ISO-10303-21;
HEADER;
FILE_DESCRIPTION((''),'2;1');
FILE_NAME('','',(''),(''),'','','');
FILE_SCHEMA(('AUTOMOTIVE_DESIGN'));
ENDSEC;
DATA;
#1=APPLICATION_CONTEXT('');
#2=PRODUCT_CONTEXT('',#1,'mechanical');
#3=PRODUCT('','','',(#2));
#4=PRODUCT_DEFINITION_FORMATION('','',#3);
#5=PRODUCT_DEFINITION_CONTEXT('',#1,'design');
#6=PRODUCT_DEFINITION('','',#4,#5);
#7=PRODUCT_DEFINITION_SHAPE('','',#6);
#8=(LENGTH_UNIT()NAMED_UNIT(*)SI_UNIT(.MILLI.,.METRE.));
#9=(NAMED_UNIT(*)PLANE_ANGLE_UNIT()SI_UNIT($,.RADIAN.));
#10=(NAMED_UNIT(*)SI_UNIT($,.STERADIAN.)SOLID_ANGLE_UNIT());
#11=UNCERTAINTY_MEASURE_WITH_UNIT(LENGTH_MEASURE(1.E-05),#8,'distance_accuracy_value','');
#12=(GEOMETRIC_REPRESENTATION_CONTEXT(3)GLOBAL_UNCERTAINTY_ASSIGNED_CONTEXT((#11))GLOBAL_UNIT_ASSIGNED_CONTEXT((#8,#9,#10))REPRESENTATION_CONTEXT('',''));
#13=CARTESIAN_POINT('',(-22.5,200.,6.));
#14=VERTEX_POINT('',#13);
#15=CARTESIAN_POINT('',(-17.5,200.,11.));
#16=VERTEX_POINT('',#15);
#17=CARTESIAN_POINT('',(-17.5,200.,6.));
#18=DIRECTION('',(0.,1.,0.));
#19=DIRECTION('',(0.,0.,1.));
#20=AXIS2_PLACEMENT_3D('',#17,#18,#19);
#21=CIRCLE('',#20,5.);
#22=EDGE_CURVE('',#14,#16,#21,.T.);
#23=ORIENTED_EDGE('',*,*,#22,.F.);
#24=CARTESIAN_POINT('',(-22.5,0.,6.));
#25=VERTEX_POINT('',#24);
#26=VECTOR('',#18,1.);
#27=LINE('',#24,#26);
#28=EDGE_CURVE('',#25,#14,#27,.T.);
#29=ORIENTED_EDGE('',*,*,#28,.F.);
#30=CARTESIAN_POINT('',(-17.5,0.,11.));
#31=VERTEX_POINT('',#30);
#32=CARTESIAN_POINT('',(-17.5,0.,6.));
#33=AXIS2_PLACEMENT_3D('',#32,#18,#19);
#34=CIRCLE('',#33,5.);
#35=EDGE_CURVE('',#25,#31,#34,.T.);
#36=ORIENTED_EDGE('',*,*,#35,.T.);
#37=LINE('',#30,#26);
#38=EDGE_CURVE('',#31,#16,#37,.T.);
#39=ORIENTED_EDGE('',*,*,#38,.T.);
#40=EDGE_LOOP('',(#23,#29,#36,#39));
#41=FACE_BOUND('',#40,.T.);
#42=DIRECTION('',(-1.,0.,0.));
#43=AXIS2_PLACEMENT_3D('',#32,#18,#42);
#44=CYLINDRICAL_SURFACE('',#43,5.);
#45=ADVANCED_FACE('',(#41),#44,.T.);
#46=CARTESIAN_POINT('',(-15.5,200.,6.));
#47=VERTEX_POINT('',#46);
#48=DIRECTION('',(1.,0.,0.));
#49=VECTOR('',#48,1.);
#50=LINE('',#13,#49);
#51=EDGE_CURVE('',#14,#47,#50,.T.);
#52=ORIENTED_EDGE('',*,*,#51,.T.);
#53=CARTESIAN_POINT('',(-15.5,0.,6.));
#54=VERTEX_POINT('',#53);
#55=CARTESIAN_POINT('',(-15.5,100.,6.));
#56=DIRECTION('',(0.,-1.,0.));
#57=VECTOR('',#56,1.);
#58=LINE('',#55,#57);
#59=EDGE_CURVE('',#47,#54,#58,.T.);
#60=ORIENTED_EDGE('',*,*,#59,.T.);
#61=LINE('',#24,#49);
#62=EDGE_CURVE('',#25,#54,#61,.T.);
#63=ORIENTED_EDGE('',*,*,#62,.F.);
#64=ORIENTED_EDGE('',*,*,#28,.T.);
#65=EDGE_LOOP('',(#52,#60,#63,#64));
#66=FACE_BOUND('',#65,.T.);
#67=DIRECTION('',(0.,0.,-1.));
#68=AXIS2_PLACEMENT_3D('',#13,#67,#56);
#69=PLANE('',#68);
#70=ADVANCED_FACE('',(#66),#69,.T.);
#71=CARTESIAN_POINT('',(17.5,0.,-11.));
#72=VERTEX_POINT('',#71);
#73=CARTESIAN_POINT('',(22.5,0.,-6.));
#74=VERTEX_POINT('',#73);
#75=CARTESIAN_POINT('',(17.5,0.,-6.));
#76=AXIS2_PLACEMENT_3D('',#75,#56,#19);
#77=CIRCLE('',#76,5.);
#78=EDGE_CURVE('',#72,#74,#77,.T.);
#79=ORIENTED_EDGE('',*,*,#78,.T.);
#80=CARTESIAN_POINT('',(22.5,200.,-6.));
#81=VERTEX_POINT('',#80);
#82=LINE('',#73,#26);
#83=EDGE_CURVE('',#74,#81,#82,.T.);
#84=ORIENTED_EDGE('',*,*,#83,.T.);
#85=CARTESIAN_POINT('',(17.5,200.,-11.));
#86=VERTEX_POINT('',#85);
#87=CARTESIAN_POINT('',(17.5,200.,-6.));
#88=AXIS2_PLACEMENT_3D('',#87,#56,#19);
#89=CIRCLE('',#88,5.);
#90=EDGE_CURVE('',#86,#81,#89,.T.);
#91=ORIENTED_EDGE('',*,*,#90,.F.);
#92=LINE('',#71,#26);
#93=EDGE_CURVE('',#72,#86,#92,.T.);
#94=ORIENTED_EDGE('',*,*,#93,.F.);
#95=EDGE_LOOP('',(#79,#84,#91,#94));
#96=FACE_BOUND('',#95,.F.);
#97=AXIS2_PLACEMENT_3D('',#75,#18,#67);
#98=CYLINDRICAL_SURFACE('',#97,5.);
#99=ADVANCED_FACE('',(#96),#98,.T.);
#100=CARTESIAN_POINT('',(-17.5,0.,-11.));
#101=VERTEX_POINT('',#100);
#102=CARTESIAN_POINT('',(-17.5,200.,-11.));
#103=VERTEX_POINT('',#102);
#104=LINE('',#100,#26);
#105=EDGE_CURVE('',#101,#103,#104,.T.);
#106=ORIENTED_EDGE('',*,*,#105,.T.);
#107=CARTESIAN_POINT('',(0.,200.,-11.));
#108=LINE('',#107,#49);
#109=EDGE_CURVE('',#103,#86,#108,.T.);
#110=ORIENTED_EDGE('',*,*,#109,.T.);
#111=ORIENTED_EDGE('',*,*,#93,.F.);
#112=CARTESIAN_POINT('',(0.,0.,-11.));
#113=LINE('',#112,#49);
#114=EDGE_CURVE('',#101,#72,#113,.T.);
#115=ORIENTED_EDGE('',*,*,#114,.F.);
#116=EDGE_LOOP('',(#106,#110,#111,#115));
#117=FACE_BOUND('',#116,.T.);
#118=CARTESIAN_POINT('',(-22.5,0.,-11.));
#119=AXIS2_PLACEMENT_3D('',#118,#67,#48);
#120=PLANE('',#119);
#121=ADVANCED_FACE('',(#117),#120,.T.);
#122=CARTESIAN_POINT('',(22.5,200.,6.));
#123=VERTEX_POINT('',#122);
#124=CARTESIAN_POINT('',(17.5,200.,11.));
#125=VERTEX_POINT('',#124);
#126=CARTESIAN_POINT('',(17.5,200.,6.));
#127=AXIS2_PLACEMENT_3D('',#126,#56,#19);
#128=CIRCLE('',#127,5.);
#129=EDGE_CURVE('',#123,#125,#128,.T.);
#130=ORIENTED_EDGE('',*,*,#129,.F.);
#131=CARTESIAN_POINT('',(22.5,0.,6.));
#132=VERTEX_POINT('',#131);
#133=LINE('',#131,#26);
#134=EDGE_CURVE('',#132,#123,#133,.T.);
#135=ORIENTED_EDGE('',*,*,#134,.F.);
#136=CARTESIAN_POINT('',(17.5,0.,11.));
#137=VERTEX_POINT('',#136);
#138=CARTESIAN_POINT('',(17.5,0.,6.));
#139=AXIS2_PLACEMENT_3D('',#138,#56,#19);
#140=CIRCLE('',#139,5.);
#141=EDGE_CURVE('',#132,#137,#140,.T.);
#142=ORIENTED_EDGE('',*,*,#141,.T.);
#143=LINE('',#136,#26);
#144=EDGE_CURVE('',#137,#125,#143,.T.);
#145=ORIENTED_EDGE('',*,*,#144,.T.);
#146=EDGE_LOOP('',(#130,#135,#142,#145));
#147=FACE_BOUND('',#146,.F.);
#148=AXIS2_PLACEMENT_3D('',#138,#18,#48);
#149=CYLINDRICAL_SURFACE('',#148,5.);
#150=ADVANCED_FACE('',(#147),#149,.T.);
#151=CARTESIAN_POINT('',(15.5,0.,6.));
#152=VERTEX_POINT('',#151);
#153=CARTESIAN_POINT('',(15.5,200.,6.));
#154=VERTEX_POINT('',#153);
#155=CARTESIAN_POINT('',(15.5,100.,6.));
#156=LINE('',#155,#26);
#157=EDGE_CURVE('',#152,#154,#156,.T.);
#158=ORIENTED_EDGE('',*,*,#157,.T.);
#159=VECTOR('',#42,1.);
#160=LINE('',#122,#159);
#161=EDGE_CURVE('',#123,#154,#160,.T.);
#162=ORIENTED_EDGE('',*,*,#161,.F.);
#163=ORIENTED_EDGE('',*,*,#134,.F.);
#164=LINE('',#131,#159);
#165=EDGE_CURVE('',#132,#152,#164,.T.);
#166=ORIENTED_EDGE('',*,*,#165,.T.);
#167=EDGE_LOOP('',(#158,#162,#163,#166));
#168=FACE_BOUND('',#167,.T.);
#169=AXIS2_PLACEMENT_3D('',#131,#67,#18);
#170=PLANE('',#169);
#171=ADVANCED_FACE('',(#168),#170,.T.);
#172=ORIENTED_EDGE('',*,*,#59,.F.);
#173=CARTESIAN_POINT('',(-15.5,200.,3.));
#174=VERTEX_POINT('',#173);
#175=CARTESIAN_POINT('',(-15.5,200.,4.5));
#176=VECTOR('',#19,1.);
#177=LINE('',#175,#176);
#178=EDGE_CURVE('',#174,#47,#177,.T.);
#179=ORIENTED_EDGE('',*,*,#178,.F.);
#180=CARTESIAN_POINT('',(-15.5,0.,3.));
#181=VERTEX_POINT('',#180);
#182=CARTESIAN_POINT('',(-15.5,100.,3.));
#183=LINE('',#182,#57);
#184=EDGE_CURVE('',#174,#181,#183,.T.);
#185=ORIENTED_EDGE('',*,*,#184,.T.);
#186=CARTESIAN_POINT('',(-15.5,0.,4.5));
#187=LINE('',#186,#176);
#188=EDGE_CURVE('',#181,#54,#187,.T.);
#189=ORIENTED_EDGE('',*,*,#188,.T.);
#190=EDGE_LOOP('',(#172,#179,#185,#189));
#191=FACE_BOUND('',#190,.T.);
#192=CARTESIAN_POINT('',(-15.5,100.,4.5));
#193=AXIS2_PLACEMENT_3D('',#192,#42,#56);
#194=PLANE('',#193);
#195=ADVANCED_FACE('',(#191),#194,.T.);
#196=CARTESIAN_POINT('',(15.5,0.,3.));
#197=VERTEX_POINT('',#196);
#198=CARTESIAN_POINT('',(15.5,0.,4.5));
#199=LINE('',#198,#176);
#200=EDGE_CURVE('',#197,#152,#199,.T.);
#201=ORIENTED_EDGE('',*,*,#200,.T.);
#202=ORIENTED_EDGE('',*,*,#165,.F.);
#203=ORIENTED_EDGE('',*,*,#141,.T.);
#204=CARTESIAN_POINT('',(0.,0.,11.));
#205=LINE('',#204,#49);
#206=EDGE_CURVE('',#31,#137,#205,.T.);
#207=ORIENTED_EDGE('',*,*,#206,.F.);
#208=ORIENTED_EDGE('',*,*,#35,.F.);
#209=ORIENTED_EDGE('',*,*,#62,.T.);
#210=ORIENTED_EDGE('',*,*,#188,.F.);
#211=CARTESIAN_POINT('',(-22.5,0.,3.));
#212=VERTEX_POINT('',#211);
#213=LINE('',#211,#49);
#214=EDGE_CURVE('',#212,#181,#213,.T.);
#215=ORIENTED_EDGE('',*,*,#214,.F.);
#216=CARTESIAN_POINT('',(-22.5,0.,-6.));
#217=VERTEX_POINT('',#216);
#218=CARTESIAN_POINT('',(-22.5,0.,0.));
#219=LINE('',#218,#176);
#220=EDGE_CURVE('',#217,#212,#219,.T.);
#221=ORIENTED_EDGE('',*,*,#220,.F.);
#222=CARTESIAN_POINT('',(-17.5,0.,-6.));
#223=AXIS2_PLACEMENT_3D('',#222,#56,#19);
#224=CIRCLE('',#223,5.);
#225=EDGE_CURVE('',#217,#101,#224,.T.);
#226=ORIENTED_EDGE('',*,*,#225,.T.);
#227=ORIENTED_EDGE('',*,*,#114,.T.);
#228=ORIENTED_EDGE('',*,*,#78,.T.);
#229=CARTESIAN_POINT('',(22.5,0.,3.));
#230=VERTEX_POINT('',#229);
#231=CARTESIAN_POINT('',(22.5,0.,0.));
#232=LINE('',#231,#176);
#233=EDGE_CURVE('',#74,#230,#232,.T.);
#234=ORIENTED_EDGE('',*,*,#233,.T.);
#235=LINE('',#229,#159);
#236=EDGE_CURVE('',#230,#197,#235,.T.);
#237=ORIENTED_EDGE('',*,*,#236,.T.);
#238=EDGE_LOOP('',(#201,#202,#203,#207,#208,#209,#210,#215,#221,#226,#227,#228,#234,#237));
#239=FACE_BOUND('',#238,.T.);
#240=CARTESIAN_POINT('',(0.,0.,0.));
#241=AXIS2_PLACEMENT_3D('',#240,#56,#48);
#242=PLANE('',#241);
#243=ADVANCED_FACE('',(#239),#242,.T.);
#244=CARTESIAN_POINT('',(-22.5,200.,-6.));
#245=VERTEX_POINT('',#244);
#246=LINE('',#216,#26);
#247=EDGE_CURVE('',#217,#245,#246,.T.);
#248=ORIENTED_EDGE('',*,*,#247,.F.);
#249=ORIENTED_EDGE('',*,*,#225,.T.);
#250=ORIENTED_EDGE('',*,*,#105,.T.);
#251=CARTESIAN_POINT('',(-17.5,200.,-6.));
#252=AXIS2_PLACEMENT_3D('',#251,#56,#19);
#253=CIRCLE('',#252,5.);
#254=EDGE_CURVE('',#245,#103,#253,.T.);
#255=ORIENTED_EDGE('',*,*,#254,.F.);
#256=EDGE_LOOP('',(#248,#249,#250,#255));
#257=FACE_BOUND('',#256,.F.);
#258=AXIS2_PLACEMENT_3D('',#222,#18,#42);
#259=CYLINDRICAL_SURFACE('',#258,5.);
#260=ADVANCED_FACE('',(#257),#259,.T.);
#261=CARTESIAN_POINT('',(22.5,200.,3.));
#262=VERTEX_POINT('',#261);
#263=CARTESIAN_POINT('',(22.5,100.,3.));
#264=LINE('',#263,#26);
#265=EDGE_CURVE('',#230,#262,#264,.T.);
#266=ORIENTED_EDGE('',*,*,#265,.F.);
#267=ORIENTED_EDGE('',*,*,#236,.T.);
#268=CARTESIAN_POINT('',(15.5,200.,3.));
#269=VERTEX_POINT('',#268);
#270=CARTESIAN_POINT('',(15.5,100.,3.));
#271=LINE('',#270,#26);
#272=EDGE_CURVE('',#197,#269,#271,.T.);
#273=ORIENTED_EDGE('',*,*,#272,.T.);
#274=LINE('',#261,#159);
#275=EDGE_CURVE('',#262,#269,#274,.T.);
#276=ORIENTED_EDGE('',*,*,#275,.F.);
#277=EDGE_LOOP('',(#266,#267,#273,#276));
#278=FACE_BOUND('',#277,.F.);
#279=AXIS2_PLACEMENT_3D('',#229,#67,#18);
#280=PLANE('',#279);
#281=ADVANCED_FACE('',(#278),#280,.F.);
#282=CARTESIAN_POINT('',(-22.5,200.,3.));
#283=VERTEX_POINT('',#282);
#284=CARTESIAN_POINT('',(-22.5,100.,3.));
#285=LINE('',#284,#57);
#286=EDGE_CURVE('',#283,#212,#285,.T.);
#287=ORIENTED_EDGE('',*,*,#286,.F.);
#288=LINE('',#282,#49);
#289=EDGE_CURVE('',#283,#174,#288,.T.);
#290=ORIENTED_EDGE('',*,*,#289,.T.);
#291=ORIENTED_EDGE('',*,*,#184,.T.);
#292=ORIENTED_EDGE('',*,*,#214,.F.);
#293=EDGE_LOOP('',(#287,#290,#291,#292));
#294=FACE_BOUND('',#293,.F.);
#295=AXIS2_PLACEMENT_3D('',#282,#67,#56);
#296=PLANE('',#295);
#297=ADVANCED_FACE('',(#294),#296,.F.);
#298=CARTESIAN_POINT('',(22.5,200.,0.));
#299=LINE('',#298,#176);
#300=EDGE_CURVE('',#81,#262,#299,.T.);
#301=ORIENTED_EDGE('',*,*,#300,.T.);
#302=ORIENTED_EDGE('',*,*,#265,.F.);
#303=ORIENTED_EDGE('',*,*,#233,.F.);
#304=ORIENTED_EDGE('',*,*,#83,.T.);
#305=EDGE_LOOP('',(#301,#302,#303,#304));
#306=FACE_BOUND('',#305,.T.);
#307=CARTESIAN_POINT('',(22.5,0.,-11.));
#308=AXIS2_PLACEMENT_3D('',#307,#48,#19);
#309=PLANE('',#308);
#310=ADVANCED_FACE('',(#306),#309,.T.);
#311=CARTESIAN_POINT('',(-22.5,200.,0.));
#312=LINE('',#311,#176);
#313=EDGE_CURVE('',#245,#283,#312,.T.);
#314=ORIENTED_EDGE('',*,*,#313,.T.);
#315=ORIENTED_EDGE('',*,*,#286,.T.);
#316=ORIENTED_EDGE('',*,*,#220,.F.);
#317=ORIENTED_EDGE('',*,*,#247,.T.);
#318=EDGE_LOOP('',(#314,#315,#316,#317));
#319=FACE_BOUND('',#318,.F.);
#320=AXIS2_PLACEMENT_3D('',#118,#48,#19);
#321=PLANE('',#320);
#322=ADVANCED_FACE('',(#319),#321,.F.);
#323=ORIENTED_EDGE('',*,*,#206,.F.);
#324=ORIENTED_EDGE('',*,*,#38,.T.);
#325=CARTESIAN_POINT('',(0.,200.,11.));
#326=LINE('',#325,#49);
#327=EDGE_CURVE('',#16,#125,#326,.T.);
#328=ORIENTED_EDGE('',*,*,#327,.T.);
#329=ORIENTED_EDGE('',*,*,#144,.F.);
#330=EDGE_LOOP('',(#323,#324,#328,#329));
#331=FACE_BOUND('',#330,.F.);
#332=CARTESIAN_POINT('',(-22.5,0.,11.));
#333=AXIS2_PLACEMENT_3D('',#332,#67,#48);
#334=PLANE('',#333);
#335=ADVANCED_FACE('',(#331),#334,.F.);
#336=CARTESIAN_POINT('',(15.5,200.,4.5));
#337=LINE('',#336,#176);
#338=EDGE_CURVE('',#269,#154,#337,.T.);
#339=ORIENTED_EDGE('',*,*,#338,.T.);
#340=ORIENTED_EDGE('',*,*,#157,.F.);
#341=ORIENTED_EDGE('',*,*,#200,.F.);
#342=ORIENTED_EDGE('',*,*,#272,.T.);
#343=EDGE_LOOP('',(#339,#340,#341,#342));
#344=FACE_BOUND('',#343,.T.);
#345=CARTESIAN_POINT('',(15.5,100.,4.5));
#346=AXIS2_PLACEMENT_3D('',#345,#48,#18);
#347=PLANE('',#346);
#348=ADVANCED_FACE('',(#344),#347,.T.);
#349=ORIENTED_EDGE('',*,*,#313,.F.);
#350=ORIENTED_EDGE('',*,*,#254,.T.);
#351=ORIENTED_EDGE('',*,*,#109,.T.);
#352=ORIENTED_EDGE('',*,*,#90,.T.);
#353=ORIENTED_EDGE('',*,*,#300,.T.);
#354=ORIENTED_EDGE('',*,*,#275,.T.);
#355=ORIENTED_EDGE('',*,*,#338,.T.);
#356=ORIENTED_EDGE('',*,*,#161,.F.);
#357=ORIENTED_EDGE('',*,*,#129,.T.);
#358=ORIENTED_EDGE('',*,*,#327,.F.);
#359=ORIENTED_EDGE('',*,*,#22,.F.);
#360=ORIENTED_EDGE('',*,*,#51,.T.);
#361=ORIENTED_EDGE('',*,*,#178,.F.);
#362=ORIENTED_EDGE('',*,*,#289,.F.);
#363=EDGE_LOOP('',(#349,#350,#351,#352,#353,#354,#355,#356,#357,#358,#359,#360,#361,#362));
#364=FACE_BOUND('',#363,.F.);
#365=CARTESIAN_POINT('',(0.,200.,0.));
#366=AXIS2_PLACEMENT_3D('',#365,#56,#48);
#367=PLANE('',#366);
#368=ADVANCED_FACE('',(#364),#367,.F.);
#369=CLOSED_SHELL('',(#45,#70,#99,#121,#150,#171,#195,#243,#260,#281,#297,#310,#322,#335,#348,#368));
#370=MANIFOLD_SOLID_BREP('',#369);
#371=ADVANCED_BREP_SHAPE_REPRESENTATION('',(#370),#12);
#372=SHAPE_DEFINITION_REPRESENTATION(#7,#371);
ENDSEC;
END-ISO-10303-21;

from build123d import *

# Parameters (mm, degrees)
F0_W     = 45
F0_H     = 22
F1_DEPTH = 200
F2_R     = 5
F3_W     = 200
F3_H     = 3
F4_DEPTH = 7
F5_W     = 200
F5_H     = 3
F6_DEPTH = 7


with BuildPart() as f1:
    # F0 (on Front) → F1 (new body)
    with BuildSketch(Plane.XZ):
        Rectangle(F0_W, F0_H)
    extrude(amount=-F1_DEPTH)

    # F2
    f2_edges = [f1.edges().sort_by_distance(p)[0] for p in [
        (22.5, 100, 11),
        (-22.5, 100, 11),
        (22.5, 100, -11),
        (-22.5, 100, -11),
    ]]
    fillet(f2_edges, radius=F2_R)

    # F3 (on face) → F4 (cut)
    with BuildSketch(Plane.YZ.offset(22.5)):
        with Locations((100, 4.5)):
            Rectangle(F3_W, F3_H)
    extrude(amount=-F4_DEPTH, mode=Mode.SUBTRACT)

    # F5 (on face) → F6 (cut)
    with BuildSketch(Plane(origin=(-22.5, 0, 0), x_dir=(0, -1, 0), z_dir=(-1, 0, 0))):
        with Locations((-100, 4.5)):
            Rectangle(F5_W, F5_H)
    extrude(amount=-F6_DEPTH, mode=Mode.SUBTRACT)


solid = f1.part
